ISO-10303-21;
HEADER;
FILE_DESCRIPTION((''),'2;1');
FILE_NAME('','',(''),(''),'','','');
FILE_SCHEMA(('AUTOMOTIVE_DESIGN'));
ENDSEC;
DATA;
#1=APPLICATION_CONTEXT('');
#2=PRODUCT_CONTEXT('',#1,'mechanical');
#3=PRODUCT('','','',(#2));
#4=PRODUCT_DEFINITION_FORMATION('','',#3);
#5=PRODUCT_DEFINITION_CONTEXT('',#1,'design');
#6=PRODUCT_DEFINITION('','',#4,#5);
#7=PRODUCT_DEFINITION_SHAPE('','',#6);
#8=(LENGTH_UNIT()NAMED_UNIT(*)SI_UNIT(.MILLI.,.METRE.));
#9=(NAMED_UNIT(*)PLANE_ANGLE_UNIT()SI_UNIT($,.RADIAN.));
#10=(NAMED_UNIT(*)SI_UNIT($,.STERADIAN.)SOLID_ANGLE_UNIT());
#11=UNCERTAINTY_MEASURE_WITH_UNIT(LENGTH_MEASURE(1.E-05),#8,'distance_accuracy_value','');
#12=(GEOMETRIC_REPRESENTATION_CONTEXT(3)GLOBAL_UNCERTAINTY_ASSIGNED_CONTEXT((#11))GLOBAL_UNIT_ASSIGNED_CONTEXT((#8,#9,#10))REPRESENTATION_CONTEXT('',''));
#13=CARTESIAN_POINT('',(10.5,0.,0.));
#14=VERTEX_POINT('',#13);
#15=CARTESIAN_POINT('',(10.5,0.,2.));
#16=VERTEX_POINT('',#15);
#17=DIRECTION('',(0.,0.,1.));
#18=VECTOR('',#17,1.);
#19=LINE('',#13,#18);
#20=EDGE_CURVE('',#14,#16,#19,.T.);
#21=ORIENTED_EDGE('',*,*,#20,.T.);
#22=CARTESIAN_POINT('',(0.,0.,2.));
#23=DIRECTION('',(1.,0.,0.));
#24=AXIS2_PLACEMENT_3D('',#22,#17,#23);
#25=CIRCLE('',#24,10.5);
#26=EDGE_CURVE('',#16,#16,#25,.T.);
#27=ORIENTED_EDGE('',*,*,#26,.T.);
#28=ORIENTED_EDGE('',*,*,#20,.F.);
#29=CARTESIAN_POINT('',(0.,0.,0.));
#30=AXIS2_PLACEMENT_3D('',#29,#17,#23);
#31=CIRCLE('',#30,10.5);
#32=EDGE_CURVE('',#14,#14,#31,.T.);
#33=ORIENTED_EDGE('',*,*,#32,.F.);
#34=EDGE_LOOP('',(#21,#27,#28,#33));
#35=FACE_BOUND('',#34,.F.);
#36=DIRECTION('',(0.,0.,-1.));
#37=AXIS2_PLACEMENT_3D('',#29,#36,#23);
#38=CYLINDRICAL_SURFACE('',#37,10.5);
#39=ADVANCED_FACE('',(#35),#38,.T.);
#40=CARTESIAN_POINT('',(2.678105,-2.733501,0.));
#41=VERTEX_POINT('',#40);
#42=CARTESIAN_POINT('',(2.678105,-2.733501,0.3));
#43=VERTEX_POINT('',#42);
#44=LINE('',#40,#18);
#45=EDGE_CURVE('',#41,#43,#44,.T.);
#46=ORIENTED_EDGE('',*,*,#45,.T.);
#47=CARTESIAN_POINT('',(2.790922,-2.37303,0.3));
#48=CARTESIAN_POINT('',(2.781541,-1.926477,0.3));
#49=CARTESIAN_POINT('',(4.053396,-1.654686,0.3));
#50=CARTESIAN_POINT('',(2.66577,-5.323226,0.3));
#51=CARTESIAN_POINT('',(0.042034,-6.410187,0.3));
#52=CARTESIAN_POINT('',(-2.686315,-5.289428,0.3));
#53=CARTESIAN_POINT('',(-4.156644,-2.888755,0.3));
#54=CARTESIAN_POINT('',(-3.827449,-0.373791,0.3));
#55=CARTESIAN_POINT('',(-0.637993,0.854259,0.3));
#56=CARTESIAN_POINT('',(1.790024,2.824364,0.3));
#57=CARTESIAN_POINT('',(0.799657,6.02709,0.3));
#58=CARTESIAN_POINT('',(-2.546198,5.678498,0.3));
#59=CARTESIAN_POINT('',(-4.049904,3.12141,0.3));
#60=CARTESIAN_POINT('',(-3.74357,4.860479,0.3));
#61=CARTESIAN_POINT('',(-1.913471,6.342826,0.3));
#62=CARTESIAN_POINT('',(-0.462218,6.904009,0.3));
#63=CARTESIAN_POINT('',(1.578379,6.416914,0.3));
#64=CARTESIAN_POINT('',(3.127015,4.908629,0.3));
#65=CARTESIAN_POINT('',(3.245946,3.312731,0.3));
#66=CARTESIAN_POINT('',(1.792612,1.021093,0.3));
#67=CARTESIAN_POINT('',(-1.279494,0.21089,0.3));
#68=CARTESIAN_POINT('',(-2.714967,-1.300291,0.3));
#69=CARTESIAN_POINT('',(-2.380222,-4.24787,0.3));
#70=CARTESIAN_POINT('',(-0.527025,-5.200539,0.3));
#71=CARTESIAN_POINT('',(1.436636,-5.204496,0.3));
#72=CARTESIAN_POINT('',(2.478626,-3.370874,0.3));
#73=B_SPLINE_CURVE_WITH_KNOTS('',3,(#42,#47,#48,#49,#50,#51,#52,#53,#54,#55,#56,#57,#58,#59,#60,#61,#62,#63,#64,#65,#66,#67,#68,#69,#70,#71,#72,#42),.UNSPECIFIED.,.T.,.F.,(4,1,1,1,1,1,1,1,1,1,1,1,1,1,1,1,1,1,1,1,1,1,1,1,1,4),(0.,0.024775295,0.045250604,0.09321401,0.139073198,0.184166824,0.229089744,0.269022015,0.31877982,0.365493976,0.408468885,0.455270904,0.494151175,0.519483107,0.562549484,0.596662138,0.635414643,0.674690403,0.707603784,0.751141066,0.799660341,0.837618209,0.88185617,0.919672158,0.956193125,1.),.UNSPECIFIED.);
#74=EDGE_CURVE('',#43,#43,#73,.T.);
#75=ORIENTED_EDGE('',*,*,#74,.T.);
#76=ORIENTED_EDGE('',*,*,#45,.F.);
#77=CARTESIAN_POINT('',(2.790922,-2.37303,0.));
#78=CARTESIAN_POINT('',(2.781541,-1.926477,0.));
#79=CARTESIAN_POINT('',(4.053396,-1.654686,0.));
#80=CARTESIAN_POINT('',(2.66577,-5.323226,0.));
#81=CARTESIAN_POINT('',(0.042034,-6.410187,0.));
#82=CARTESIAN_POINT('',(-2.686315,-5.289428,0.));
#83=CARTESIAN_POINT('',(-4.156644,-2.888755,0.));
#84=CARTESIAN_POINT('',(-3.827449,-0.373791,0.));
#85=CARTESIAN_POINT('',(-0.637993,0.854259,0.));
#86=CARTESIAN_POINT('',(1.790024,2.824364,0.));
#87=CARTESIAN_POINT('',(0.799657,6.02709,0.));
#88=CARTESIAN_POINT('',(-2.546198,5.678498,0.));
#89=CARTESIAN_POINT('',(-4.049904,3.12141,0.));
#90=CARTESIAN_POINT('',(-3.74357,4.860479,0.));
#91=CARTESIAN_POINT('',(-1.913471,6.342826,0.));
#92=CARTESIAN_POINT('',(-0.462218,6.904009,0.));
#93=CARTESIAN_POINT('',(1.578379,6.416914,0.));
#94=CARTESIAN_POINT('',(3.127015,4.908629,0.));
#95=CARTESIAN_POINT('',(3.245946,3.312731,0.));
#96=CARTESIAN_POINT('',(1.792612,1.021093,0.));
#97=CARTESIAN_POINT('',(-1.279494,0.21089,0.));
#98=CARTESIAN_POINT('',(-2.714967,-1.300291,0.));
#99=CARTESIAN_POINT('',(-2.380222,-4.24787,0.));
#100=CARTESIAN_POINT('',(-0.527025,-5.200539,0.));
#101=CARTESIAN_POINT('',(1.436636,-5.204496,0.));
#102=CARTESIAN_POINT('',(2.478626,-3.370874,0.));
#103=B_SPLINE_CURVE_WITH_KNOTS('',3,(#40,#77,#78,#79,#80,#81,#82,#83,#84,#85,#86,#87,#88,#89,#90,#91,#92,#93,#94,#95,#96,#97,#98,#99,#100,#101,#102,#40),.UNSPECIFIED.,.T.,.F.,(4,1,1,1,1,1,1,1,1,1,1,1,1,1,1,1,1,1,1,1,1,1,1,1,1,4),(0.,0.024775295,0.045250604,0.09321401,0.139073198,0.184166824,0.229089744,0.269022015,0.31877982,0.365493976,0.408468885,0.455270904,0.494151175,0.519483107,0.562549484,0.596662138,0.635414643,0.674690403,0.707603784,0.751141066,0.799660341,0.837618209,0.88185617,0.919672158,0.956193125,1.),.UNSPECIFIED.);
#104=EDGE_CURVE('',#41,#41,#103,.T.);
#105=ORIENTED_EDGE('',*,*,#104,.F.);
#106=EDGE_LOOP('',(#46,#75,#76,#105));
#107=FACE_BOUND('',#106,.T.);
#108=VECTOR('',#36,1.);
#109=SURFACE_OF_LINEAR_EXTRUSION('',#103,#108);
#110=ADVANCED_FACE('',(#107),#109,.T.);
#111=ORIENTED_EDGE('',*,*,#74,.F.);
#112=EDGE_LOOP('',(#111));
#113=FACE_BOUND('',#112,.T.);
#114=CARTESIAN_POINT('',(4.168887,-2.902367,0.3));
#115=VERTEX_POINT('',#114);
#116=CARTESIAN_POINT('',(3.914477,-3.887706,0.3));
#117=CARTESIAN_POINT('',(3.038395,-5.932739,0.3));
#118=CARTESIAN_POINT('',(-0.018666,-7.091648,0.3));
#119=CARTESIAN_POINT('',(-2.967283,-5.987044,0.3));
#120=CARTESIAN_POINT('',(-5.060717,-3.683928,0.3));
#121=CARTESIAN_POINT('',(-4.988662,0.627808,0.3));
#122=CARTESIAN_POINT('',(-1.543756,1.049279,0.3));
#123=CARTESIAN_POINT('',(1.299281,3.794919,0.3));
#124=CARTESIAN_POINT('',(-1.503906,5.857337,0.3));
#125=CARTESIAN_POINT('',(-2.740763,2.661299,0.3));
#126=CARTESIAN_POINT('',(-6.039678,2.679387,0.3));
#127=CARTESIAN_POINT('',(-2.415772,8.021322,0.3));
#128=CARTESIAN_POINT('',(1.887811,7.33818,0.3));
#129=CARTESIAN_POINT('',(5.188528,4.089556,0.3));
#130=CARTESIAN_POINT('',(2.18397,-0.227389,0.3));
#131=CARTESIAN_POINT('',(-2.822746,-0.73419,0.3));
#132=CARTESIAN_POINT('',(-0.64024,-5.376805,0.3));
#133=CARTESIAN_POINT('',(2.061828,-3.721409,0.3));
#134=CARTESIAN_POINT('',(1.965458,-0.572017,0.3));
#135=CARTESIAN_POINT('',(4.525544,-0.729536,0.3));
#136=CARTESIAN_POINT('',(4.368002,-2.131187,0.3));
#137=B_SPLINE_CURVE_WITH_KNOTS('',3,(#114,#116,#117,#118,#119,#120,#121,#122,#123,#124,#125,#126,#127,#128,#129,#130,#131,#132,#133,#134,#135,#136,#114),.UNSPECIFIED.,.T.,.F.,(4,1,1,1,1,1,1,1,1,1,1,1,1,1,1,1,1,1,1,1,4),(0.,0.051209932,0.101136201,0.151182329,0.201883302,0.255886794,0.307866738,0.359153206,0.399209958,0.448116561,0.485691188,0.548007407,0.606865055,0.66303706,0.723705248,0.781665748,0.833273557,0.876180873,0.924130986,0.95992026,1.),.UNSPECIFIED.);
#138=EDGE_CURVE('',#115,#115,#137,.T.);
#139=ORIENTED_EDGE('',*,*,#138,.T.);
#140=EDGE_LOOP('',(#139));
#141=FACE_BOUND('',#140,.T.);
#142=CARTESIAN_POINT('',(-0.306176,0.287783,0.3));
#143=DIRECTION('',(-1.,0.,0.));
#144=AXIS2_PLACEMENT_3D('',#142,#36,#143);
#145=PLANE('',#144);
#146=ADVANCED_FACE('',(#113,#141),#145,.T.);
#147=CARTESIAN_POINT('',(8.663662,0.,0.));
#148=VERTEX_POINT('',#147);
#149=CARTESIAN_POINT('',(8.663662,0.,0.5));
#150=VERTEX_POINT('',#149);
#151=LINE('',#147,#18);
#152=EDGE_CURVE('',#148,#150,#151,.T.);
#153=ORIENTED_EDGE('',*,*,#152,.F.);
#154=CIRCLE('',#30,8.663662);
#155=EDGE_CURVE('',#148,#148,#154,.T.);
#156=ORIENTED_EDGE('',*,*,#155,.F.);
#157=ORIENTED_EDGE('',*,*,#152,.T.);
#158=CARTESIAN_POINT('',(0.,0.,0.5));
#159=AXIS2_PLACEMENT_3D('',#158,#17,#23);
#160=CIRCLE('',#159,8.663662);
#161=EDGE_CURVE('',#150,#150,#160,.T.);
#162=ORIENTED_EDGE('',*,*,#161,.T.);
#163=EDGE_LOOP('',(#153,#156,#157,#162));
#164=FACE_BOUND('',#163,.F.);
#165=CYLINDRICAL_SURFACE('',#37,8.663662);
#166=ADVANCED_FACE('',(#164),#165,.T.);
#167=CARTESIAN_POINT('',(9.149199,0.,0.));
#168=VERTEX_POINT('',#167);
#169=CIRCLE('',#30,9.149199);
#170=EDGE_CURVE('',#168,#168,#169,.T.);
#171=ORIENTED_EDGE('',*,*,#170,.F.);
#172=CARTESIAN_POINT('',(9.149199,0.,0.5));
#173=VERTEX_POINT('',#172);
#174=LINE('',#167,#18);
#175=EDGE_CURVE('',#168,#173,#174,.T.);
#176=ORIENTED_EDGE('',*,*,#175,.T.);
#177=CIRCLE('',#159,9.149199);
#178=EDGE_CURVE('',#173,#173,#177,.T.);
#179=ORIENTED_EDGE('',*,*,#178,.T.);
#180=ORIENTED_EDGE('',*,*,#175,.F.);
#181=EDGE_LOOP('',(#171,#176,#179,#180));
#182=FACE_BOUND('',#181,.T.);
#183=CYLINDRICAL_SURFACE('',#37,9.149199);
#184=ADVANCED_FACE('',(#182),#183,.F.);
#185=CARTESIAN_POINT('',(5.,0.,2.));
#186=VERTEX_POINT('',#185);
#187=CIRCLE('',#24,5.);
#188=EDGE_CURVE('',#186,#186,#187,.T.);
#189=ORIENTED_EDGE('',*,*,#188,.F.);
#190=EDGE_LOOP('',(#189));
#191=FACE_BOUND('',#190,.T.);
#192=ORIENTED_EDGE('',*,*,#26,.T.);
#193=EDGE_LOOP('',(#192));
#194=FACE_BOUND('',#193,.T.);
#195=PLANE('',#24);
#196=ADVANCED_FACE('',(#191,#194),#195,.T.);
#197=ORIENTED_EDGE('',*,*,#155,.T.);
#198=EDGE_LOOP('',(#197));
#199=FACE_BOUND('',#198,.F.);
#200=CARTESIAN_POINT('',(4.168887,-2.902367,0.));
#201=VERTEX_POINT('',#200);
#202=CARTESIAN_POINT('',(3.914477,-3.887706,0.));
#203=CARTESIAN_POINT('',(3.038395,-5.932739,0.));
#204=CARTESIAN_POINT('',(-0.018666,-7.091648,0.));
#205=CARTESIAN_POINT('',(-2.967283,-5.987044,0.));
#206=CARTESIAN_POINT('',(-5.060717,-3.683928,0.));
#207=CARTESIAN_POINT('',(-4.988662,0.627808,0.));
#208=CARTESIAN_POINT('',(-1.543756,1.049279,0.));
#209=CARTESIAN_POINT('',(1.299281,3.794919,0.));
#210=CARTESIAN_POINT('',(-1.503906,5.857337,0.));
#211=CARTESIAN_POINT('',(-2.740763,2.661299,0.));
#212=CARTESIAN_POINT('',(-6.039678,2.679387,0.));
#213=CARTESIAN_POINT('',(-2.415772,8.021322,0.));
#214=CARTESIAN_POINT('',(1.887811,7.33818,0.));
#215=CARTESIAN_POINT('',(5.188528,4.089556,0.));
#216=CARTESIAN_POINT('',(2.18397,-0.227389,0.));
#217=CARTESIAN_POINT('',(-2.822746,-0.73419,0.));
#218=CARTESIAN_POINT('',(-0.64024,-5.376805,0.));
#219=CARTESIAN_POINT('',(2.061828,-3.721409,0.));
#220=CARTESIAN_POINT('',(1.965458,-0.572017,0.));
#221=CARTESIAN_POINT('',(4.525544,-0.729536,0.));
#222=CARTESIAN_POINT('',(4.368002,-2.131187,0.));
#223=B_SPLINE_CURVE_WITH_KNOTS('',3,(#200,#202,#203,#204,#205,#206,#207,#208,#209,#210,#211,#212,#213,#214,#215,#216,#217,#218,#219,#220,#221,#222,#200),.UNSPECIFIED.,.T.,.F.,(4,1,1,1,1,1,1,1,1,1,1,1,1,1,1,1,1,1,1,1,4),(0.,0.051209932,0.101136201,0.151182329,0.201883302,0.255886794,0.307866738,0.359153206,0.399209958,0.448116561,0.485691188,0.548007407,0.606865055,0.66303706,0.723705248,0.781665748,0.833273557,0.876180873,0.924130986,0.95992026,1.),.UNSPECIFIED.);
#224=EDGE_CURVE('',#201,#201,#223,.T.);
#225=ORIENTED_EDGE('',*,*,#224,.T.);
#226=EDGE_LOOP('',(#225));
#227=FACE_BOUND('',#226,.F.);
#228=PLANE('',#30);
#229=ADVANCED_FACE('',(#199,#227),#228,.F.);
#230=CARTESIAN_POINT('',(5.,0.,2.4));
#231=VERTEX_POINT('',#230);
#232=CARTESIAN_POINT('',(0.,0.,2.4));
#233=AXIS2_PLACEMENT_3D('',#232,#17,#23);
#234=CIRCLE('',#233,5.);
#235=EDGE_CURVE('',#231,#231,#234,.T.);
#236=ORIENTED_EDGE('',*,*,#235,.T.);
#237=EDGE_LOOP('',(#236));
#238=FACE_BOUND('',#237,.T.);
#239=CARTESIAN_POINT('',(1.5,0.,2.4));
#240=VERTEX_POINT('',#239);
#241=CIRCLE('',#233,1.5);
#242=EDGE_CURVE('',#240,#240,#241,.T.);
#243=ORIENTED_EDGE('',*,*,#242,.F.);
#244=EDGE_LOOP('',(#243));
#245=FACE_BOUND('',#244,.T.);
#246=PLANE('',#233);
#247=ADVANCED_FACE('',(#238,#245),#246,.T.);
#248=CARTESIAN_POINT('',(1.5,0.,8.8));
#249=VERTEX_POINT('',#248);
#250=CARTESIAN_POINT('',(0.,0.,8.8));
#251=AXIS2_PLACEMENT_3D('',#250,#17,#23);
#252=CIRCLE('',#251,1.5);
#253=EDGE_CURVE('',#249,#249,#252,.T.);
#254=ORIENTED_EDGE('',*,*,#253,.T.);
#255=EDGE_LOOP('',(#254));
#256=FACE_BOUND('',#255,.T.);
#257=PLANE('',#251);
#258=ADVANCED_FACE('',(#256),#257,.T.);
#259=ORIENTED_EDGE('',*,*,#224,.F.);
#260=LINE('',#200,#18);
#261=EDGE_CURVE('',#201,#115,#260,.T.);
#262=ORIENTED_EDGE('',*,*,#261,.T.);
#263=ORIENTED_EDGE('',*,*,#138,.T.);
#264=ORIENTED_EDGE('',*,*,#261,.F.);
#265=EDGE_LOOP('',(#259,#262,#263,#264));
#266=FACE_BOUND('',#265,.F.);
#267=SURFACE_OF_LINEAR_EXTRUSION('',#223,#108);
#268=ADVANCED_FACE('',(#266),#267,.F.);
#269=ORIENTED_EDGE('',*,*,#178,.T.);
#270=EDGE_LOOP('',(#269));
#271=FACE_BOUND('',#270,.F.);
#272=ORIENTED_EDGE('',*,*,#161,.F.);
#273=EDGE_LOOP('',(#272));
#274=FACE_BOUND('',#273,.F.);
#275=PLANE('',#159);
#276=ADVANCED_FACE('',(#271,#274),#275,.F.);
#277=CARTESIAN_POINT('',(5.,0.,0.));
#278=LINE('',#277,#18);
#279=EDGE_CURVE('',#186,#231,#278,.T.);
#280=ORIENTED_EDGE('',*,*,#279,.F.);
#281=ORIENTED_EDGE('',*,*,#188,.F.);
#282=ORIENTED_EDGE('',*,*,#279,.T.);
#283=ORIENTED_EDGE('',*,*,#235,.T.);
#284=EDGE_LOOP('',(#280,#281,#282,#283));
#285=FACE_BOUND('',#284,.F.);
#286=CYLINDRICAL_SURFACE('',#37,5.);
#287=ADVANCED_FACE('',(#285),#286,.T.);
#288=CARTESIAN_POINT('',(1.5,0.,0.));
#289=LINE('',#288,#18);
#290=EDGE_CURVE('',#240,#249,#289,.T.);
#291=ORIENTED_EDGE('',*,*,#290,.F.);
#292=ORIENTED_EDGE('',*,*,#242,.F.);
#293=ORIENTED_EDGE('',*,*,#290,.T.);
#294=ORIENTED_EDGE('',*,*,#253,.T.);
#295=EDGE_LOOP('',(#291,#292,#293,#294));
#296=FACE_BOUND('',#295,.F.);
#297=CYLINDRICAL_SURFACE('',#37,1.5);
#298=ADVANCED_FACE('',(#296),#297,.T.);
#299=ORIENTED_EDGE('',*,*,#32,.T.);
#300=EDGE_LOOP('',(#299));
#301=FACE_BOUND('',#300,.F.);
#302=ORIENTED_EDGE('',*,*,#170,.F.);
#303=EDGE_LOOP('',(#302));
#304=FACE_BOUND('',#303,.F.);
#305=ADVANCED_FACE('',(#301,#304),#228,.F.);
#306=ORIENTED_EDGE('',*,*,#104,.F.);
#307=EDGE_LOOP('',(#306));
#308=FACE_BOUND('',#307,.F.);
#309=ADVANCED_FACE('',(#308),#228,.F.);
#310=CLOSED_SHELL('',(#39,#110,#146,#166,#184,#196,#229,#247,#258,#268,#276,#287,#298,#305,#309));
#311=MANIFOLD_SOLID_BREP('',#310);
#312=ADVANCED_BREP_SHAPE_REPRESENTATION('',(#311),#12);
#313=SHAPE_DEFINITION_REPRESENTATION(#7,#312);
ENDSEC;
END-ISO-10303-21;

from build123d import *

# Parameters (mm, degrees)
F0_R     = 10.5
F0_R_2   = 5
F1_DEPTH = 2
F0_R_3   = 1.5
F2_DEPTH = 2.4
F3_DEPTH = 8.8
F4_R     = 9.1491985745
F4_R_2   = 8.6636622234
F5_DEPTH = 0.5
F6_DEPTH = 0.3
F7_DEPTH = 0.4


with BuildPart() as f1:
    # F0 (on Top) → F1 (new body)
    with BuildSketch(Plane.XY):
        Circle(F0_R)
        Circle(F0_R_2, mode=Mode.SUBTRACT)
    extrude(amount=F1_DEPTH)

    # F0 (on Top) → F2 (join)
    with BuildSketch(Plane.XY):
        Circle(F0_R_2)
        Circle(F0_R_3, mode=Mode.SUBTRACT)
    extrude(amount=F2_DEPTH)

    # F0 (on Top) → F3 (join)
    with BuildSketch(Plane.XY):
        Circle(F0_R_3)
    extrude(amount=F3_DEPTH)

    # F4 (on Top) → F5 (cut)
    with BuildSketch(Plane.XY):
        Circle(F4_R)
        Circle(F4_R_2, mode=Mode.SUBTRACT)
    extrude(amount=F5_DEPTH, mode=Mode.SUBTRACT)

    # F4 (on Top) → F6 (cut)
    with BuildSketch(Plane.XY):
        with BuildLine():
            add(Edge.make_bspline(
                [(4.1688866913, -2.9023673851), (3.9144772799, -3.8877059385), (3.0383949543, -5.9327386392), (-0.0186656764, -7.091648147), (-2.9672829173, -5.9870436799), (-5.0607166537, -3.6839280011), (-4.9886618568, 0.6278081445), (-1.5437555983, 1.0492785391), (1.299281452, 3.794919019), (-1.503906312, 5.8573370372), (-2.7407631568, 2.6612987769), (-6.0396784358, 2.6793872008), (-2.4157720158, 8.0213217335), (1.8878110616, 7.3381795972), (5.1885278942, 4.0895560946), (2.1839699453, -0.2273887211), (-2.8227464874, -0.7341900208), (-0.640240004, -5.3768052391), (2.0618283018, -3.7214089112), (1.9654578706, -0.5720171897), (4.525543887, -0.7295359544), (4.3680016446, -2.131186638), (4.1688866913, -2.9023673851)],
                knots=[0, 0, 0, 0, 0.0512099319, 0.101136201, 0.1511823295, 0.2018833019, 0.2558867944, 0.3078667379, 0.3591532059, 0.3992099576, 0.448116561, 0.4856911878, 0.5480074073, 0.606865055, 0.6630370597, 0.7237052484, 0.781665748, 0.8332735566, 0.8761808734, 0.9241309859, 0.9599202595, 1, 1, 1, 1], degree=3))
        make_face()
        with BuildLine():
            add(Edge.make_bspline(
                [(2.6781053748, -2.7335009072), (2.7909224339, -2.3730297888), (2.7815414714, -1.9264769608), (4.0533960979, -1.6546859492), (2.6657700471, -5.3232261777), (0.0420344629, -6.4101870732), (-2.686315291, -5.2894278726), (-4.1566444128, -2.8887550963), (-3.8274485179, -0.373790781), (-0.6379933798, 0.8542593425), (1.7900238192, 2.8243640547), (0.7996567541, 6.0270902088), (-2.5461976153, 5.6784982477), (-4.0499042153, 3.1214100591), (-3.7435695486, 4.8604791347), (-1.9134705126, 6.342825937), (-0.4622179917, 6.9040094743), (1.5783790259, 6.4169137027), (3.1270149269, 4.9086291242), (3.2459462926, 3.3127312161), (1.7926121691, 1.0210931), (-1.2794943115, 0.2108895649), (-2.7149670358, -1.3002908187), (-2.3802224283, -4.2478697736), (-0.527024938, -5.200538862), (1.4366356109, -5.204496375), (2.4786259003, -3.3708742782), (2.6781053748, -2.7335009072)],
                knots=[0, 0, 0, 0, 0.0247752951, 0.0452506044, 0.0932140095, 0.1390731978, 0.1841668238, 0.2290897436, 0.2690220151, 0.31877982, 0.3654939758, 0.4084688853, 0.4552709043, 0.4941511754, 0.5194831068, 0.5625494841, 0.5966621376, 0.6354146428, 0.6746904027, 0.707603784, 0.7511410657, 0.7996603411, 0.8376182089, 0.88185617, 0.9196721577, 0.9561931246, 1, 1, 1, 1], degree=3))
        make_face(mode=Mode.SUBTRACT)
    extrude(amount=F6_DEPTH, mode=Mode.SUBTRACT)

    # F4 (on Top) → F7 (join)
    with BuildSketch(Plane.XY):
        with BuildLine():
            add(Edge.make_bspline(
                [(2.6781053748, -2.7335009072), (2.7909224339, -2.3730297888), (2.7815414714, -1.9264769608), (4.0533960979, -1.6546859492), (2.6657700471, -5.3232261777), (0.0420344629, -6.4101870732), (-2.686315291, -5.2894278726), (-4.1566444128, -2.8887550963), (-3.8274485179, -0.373790781), (-0.6379933798, 0.8542593425), (1.7900238192, 2.8243640547), (0.7996567541, 6.0270902088), (-2.5461976153, 5.6784982477), (-4.0499042153, 3.1214100591), (-3.7435695486, 4.8604791347), (-1.9134705126, 6.342825937), (-0.4622179917, 6.9040094743), (1.5783790259, 6.4169137027), (3.1270149269, 4.9086291242), (3.2459462926, 3.3127312161), (1.7926121691, 1.0210931), (-1.2794943115, 0.2108895649), (-2.7149670358, -1.3002908187), (-2.3802224283, -4.2478697736), (-0.527024938, -5.200538862), (1.4366356109, -5.204496375), (2.4786259003, -3.3708742782), (2.6781053748, -2.7335009072)],
                knots=[0, 0, 0, 0, 0.0247752951, 0.0452506044, 0.0932140095, 0.1390731978, 0.1841668238, 0.2290897436, 0.2690220151, 0.31877982, 0.3654939758, 0.4084688853, 0.4552709043, 0.4941511754, 0.5194831068, 0.5625494841, 0.5966621376, 0.6354146428, 0.6746904027, 0.707603784, 0.7511410657, 0.7996603411, 0.8376182089, 0.88185617, 0.9196721577, 0.9561931246, 1, 1, 1, 1], degree=3))
        make_face()
    extrude(amount=F7_DEPTH)


solid = f1.part
